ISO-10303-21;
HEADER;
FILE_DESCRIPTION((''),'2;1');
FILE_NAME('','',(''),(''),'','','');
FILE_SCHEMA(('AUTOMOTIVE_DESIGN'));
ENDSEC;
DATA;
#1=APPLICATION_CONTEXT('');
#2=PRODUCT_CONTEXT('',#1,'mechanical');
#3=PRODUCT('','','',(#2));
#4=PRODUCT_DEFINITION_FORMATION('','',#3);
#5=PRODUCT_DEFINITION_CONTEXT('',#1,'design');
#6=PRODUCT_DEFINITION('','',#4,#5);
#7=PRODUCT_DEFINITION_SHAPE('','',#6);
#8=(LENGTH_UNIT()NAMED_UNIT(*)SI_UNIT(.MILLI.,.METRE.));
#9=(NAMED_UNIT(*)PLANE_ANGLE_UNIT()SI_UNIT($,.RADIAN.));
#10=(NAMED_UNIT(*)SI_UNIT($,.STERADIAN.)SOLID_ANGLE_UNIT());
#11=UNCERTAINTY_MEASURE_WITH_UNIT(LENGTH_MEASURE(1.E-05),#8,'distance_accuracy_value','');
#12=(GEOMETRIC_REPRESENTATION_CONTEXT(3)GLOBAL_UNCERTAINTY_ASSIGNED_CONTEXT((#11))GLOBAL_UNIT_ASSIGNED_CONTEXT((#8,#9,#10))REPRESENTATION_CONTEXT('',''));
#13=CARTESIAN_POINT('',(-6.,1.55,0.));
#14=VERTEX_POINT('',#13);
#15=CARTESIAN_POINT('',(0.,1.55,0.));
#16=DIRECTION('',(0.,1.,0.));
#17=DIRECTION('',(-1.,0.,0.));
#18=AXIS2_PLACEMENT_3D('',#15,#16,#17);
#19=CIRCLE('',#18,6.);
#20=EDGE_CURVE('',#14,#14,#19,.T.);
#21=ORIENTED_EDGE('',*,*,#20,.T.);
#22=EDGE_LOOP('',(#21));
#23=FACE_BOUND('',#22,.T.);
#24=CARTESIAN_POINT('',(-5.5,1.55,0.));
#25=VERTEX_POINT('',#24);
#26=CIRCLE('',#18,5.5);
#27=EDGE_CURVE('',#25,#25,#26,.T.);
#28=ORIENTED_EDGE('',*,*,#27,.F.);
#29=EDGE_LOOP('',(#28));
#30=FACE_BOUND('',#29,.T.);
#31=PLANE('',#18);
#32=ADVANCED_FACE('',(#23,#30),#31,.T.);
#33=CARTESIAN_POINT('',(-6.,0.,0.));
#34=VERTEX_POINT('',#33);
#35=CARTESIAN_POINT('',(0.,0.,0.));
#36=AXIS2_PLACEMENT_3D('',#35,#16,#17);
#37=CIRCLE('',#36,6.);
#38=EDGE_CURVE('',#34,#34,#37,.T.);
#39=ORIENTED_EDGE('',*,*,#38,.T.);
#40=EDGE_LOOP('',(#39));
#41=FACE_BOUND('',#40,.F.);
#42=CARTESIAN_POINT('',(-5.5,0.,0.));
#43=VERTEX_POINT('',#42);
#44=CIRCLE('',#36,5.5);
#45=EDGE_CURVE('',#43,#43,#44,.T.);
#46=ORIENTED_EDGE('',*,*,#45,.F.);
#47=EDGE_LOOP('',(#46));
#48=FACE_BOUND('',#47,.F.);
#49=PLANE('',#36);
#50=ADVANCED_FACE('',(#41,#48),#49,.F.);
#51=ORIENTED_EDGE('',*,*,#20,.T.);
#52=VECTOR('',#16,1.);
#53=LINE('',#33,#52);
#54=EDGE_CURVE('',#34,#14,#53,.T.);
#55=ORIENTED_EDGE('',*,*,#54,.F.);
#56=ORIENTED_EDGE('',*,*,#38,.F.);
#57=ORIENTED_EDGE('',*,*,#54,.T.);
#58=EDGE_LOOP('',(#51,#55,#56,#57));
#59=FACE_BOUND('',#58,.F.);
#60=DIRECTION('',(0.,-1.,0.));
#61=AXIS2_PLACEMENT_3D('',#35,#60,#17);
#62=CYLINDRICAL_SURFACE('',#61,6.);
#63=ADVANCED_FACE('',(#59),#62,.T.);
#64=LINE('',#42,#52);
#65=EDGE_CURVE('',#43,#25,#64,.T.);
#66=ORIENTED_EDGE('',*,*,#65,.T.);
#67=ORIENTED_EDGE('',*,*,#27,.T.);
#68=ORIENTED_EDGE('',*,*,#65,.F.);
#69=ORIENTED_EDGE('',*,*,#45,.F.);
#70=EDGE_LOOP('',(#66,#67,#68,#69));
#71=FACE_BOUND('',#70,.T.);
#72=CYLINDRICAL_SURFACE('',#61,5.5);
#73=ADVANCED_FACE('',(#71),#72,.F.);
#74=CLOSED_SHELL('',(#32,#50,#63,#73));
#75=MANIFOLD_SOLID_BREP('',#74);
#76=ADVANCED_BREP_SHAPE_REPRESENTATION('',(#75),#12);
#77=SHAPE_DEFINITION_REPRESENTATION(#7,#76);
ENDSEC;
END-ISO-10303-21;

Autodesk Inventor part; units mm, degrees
ref_plane "YZ Plane" through (0, 0, 0) normal (1, 0, 0) x (0, 1, 0)
ref_plane "XZ Plane" through (0, 0, 0) normal (0, 1, 0) x (-1, 0, 0)
ref_plane "XY Plane" through (0, 0, 0) normal (0, 0, 1) x (1, 0, 0)
sketch "Эскиз1" plane through (0, 0, 0) normal (0, 1, 0) x (-1, 0, 0)
  circle A0 centre (0, 0) radius 6
  circle A1 centre (0, 0) radius 5.5
  dimension "d0" = 12
  dimension "d1" = 11
extrude "Выдавливание1" add sketch "Эскиз1" along normal blind 1.55
properties part number "Винт 5x8 2" material "Сталь, мягкая"
